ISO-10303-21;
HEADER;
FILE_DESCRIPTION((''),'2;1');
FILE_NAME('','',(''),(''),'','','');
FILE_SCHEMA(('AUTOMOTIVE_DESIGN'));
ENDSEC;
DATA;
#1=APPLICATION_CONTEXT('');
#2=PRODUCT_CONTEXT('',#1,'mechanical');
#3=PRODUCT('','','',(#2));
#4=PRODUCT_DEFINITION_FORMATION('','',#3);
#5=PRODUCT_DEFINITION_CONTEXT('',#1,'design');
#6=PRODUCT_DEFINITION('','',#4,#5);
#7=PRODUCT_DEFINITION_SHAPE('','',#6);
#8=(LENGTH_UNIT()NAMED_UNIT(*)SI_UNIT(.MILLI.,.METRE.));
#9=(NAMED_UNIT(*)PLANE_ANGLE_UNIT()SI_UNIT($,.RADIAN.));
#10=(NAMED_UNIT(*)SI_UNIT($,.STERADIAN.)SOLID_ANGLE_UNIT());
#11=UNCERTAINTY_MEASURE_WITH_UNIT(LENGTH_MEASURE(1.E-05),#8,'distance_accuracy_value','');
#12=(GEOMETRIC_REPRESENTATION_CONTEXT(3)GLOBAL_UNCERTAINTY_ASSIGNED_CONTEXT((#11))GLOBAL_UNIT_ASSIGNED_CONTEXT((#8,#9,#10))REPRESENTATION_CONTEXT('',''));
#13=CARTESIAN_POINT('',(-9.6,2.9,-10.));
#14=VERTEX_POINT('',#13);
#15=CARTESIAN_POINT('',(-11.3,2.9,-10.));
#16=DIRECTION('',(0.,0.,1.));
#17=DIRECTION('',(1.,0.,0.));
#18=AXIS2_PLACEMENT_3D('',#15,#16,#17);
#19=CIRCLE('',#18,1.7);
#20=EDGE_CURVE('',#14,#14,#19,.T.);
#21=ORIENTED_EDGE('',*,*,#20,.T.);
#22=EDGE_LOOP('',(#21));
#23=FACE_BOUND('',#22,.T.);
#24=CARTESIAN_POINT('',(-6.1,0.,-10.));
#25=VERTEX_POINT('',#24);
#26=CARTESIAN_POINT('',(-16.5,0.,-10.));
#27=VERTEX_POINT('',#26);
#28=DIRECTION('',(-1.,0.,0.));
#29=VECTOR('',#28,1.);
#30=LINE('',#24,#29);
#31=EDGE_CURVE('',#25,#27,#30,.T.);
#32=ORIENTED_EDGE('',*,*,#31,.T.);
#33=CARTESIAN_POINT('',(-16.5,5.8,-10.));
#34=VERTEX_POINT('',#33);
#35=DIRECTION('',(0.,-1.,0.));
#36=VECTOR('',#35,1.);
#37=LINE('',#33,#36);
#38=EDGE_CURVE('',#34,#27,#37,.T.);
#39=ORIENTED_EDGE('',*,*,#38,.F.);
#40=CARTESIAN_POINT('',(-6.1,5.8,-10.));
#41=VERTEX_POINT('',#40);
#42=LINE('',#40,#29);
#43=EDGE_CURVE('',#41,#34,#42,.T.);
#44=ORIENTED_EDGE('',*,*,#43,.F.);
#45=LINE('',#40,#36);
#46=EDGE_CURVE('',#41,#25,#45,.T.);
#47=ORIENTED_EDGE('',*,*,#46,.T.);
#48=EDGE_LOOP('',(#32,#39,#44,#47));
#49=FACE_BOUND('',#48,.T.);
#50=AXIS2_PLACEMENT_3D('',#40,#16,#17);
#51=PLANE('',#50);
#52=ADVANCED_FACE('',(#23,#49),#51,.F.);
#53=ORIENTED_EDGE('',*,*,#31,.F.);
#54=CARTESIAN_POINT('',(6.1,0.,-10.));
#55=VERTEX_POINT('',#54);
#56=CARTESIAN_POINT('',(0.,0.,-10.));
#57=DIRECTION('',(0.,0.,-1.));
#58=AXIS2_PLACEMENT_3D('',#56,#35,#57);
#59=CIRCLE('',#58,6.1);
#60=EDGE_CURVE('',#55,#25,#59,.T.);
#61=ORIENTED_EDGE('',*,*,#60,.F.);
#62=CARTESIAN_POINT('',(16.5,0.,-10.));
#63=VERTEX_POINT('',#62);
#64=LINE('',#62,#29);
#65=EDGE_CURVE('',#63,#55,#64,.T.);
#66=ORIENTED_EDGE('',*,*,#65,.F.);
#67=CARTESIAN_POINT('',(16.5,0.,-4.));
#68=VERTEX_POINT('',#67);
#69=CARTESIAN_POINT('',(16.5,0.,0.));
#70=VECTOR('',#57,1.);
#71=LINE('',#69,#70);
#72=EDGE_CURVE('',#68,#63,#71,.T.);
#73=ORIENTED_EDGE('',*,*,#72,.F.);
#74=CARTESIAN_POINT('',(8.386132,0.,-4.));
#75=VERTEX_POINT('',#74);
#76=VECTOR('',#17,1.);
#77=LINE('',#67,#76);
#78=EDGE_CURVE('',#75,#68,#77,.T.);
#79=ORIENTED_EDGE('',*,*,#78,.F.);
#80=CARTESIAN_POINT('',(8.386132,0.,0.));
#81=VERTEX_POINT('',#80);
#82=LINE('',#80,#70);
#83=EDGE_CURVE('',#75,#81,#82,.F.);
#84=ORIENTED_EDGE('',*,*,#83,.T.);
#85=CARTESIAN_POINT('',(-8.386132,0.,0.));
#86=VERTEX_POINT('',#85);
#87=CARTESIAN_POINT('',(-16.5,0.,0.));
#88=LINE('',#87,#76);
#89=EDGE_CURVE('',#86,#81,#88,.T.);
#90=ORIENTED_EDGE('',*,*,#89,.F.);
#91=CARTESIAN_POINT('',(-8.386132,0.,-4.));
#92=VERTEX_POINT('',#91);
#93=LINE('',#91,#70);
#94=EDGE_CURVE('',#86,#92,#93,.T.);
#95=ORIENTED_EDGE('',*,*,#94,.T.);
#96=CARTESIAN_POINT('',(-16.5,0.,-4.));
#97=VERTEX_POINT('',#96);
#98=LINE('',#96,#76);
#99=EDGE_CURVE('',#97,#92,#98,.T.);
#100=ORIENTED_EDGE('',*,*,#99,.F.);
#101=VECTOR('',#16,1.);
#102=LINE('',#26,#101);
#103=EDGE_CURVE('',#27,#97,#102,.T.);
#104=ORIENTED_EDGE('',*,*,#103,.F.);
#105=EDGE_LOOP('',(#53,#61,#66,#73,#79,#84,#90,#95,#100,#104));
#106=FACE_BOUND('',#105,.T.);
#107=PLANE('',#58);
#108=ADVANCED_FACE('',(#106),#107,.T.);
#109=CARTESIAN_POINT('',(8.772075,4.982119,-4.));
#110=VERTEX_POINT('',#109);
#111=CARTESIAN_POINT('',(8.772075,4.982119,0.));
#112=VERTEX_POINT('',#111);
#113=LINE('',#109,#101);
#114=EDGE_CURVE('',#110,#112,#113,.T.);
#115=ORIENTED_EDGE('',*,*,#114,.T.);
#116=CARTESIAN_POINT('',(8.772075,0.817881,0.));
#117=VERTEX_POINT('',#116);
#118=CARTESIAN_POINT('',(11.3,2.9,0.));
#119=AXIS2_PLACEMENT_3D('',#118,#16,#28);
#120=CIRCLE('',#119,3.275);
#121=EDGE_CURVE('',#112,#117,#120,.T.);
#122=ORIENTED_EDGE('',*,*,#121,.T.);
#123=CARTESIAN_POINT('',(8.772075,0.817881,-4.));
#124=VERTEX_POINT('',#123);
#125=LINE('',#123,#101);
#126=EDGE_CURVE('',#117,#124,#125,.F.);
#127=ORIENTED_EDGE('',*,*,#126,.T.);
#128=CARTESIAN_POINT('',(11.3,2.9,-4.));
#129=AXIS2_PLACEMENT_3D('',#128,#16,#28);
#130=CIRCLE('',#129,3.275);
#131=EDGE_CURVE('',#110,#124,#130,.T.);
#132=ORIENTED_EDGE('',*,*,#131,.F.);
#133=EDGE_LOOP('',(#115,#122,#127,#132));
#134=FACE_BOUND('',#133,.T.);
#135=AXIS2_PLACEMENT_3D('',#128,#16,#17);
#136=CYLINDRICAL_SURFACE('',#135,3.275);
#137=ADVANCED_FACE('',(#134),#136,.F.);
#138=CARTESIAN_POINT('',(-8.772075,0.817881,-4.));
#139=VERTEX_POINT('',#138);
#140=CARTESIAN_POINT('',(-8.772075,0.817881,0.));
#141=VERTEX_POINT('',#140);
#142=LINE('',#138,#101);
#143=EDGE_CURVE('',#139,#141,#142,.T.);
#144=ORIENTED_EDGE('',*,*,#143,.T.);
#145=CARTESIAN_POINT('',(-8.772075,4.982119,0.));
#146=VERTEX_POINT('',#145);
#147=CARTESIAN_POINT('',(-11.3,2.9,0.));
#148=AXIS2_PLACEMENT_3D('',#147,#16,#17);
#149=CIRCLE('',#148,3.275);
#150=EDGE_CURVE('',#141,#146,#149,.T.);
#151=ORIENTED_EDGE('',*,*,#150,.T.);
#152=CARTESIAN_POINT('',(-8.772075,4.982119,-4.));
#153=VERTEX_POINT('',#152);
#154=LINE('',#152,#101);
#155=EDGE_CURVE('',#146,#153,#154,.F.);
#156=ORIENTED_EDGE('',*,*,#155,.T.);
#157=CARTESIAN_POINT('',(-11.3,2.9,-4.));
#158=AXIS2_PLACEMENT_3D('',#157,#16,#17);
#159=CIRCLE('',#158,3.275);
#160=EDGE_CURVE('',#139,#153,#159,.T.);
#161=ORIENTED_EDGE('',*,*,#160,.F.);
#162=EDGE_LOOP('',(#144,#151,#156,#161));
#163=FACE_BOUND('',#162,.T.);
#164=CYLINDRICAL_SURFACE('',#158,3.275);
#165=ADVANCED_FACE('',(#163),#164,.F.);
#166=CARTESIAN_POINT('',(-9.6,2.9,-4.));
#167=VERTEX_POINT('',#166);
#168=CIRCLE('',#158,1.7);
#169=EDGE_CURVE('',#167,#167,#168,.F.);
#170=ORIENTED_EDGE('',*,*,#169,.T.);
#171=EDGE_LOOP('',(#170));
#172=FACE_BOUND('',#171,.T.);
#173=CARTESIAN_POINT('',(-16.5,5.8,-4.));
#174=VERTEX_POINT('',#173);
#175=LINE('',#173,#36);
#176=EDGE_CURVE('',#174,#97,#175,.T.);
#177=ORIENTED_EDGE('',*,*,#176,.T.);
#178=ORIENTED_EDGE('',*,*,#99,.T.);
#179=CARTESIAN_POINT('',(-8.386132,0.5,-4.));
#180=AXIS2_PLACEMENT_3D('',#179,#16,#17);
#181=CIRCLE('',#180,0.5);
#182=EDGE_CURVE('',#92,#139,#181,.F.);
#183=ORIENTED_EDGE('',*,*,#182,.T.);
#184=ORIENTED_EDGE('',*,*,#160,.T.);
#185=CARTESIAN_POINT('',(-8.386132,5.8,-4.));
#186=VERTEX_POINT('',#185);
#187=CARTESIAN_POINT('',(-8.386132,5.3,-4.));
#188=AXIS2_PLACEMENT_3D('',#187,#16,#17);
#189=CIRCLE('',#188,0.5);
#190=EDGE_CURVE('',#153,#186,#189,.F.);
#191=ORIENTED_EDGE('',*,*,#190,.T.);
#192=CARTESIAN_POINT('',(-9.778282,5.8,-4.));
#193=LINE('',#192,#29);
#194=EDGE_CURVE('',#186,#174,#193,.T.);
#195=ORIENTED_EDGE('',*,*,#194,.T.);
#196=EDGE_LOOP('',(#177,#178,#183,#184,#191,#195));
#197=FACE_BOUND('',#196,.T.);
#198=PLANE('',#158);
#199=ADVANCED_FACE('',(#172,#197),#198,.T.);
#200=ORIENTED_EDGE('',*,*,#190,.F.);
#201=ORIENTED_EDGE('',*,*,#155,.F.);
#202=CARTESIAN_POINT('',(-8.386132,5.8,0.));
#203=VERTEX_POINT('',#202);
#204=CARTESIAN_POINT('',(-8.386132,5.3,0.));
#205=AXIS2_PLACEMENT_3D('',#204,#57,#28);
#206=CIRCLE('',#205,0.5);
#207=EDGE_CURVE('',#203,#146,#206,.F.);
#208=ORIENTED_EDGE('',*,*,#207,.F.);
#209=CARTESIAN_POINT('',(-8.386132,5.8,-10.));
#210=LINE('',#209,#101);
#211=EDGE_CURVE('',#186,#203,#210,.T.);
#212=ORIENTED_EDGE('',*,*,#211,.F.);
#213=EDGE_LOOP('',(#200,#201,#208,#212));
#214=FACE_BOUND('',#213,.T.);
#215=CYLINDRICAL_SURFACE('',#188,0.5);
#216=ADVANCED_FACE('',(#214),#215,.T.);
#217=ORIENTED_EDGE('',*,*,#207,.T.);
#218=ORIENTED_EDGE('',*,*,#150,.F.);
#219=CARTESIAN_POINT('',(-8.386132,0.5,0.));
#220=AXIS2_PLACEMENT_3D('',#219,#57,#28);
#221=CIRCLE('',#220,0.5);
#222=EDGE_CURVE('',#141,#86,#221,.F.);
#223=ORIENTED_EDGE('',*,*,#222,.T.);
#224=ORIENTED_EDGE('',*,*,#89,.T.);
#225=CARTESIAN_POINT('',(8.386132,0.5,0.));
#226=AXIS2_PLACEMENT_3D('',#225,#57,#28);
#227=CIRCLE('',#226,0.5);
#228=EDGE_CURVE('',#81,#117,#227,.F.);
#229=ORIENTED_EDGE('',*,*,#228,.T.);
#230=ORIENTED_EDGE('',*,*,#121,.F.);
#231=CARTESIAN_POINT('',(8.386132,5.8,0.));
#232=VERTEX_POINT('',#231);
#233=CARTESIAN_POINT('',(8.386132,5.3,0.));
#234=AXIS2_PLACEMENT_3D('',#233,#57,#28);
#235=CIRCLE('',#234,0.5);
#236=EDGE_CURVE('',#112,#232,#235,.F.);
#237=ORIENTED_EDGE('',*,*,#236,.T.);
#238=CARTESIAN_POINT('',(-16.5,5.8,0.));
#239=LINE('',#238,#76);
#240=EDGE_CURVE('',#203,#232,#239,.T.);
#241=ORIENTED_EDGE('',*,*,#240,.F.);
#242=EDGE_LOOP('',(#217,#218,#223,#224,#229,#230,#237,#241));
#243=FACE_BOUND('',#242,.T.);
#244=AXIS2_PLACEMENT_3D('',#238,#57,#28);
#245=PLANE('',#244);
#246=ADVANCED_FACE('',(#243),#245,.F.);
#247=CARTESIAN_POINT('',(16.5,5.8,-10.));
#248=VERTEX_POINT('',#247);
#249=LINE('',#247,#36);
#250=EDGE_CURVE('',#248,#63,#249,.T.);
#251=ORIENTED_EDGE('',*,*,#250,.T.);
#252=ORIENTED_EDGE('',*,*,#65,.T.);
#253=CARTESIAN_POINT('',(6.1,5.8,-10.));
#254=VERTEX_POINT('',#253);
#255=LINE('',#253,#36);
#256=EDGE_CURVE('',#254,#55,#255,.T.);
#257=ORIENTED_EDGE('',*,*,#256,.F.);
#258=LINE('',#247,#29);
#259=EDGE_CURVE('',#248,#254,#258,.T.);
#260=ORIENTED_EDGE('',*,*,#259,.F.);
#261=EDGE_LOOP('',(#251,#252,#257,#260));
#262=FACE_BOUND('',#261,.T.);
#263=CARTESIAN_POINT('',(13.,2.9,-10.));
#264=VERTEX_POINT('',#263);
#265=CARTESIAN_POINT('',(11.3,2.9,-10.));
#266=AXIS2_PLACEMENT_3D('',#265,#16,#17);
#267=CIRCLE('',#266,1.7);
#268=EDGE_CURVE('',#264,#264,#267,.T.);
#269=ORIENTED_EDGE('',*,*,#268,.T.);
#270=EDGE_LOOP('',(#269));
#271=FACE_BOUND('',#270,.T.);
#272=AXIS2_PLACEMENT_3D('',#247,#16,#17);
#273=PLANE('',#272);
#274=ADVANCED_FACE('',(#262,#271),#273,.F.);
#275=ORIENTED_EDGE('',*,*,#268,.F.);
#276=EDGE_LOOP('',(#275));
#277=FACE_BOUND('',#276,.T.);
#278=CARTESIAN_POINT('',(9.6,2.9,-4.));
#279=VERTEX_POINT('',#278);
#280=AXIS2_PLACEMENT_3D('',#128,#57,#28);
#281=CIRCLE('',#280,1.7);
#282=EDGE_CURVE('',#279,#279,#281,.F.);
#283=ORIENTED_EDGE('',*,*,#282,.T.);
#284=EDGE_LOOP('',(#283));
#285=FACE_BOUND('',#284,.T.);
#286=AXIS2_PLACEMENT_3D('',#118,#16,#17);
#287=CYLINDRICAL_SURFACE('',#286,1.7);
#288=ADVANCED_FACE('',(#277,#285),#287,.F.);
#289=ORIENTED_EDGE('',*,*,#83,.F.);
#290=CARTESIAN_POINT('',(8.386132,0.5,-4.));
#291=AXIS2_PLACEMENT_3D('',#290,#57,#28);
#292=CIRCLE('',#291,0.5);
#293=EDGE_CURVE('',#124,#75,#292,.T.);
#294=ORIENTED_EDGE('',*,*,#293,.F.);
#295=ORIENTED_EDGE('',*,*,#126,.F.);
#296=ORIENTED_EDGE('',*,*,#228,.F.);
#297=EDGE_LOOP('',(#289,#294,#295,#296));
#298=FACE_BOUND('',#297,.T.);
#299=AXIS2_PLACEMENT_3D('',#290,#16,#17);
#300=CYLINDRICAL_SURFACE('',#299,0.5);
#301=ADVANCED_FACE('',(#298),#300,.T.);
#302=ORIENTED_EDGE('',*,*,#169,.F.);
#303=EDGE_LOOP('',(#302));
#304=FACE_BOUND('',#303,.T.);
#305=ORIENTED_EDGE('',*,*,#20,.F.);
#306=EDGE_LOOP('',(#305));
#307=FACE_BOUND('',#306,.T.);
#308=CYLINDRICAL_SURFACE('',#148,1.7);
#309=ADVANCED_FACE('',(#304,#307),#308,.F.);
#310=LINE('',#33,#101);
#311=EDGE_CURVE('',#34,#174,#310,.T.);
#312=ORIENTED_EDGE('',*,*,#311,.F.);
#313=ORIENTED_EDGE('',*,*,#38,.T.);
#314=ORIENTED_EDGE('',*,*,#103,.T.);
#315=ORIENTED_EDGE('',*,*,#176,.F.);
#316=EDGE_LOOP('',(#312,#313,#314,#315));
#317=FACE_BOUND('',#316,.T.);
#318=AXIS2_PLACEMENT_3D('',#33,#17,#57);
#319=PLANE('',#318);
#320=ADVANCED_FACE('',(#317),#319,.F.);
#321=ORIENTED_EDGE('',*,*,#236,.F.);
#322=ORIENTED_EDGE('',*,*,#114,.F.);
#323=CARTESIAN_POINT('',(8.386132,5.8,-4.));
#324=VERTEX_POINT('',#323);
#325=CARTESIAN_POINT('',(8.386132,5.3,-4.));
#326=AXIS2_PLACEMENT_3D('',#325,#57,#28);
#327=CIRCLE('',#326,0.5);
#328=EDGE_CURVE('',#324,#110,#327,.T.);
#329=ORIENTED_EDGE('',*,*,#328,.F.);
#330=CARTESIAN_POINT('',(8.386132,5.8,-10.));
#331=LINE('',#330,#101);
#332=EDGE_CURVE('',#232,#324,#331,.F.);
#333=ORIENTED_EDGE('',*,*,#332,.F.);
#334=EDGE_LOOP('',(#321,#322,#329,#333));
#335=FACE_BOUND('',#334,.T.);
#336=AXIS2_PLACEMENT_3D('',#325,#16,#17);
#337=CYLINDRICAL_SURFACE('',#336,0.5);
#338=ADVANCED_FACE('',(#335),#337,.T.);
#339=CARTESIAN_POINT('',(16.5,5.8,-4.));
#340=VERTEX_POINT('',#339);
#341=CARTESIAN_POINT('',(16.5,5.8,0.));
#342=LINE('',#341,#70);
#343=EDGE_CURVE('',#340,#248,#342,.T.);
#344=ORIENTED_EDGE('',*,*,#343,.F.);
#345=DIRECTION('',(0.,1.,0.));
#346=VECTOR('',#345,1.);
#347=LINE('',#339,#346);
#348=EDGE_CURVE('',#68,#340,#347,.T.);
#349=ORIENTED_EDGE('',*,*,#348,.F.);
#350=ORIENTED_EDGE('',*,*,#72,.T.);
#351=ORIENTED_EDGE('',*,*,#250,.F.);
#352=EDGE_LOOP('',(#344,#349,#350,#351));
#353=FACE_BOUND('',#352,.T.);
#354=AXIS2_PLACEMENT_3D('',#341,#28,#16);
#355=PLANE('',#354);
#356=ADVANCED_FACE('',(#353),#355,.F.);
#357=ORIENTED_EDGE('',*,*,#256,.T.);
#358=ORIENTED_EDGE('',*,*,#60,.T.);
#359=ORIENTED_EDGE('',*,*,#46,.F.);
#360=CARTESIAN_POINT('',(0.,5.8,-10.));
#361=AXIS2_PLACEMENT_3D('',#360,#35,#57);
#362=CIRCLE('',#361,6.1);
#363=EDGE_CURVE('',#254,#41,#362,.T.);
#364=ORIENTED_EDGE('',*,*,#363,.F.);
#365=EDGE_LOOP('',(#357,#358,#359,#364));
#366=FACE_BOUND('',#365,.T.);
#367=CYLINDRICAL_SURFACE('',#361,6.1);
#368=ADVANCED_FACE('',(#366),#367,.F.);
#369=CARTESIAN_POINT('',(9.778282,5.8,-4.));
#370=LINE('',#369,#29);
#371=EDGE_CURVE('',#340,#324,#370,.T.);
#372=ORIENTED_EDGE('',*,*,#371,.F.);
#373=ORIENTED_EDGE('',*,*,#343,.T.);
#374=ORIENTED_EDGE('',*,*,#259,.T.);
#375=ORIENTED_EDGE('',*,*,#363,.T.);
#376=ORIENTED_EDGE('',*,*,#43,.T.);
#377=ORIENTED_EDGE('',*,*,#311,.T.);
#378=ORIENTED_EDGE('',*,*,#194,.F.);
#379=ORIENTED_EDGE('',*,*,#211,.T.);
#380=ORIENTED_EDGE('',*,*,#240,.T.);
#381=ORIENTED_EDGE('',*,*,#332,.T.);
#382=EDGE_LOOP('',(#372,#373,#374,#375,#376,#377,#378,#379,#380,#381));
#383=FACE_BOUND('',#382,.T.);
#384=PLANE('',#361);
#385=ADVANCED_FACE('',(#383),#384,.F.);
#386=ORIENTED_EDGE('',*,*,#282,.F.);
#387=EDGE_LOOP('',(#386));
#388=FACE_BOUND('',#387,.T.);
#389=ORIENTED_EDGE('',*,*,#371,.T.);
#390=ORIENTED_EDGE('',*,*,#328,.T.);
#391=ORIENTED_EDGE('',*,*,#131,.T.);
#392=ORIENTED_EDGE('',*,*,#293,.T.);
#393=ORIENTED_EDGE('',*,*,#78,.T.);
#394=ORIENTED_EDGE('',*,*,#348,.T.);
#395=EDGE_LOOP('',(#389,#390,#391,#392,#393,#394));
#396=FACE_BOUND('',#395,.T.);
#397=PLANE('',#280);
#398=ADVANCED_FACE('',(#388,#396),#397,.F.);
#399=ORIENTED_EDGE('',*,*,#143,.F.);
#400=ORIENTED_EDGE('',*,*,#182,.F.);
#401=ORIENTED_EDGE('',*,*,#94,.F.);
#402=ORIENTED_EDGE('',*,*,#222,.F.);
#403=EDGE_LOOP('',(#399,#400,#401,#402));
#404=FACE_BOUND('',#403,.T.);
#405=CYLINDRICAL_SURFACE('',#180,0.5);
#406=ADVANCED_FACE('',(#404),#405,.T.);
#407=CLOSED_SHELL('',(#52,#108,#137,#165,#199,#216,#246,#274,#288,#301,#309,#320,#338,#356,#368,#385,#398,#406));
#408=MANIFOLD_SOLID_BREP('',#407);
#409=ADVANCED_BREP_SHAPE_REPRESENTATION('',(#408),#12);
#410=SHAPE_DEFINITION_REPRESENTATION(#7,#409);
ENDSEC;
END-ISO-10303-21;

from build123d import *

# Parameters (mm, degrees)
BOSS_EXTRUDE1_DEPTH  = 5.8
M3_CLEARANCE_HOLE1_D = 3.4
CUT_EXTRUDE1_DEPTH   = 4
FILLET1_R            = 0.5


with BuildPart() as part:
    # Sketch1 → Boss-Extrude1 (new body)
    with BuildSketch(Plane(origin=(0, 0, 0), x_dir=(1, 0, 0), z_dir=(0, 1, 0))):
        with BuildLine():
            Line((-16.5, 0), (16.5, 0))
            Line((16.5, 0), (16.5, 10))
            Line((16.5, 10), (6.1, 10))
            ThreePointArc((6.1, 10), (0, 3.9), (-6.1, 10))
            Line((-6.1, 10), (-16.5, 10))
            Line((-16.5, 10), (-16.5, 0))
        make_face()
    extrude(amount=BOSS_EXTRUDE1_DEPTH)

    # M3 Clearance Hole1 (through all)
    with Locations(Plane.XY):
        with Locations((-11.3, 2.9), (11.3, 2.9)):
            Hole(M3_CLEARANCE_HOLE1_D / 2)

    # Sketch5 → Cut-Extrude1 (cut)
    with BuildSketch(Plane.XY):
        with BuildLine():
            Line((-9.778282221, 5.8), (-16.5, 5.8))
            Line((-16.5, 5.8), (-16.5, 0))
            Line((-16.5, 0), (-9.778282221, 0))
            ThreePointArc((-9.778282221, 0), (-8.025, 2.9), (-9.778282221, 5.8))
        make_face()
        with BuildLine():
            Line((16.5, 0), (9.778282221, 0))
            ThreePointArc((9.778282221, 0), (8.025, 2.9), (9.778282221, 5.8))
            Line((9.778282221, 5.8), (16.5, 5.8))
            Line((16.5, 5.8), (16.5, 0))
        make_face()
    extrude(amount=-CUT_EXTRUDE1_DEPTH, mode=Mode.SUBTRACT)

    # Fillet1
    fillet1_edges = [part.edges().sort_by_distance(p)[0] for p in [
        (-9.778282221, 5.8, -2),
        (-9.778282221, 0, -2),
        (9.778282221, 0, -2),
        (9.778282221, 5.8, -2),
    ]]
    fillet(fillet1_edges, radius=FILLET1_R)


solid = part.part
